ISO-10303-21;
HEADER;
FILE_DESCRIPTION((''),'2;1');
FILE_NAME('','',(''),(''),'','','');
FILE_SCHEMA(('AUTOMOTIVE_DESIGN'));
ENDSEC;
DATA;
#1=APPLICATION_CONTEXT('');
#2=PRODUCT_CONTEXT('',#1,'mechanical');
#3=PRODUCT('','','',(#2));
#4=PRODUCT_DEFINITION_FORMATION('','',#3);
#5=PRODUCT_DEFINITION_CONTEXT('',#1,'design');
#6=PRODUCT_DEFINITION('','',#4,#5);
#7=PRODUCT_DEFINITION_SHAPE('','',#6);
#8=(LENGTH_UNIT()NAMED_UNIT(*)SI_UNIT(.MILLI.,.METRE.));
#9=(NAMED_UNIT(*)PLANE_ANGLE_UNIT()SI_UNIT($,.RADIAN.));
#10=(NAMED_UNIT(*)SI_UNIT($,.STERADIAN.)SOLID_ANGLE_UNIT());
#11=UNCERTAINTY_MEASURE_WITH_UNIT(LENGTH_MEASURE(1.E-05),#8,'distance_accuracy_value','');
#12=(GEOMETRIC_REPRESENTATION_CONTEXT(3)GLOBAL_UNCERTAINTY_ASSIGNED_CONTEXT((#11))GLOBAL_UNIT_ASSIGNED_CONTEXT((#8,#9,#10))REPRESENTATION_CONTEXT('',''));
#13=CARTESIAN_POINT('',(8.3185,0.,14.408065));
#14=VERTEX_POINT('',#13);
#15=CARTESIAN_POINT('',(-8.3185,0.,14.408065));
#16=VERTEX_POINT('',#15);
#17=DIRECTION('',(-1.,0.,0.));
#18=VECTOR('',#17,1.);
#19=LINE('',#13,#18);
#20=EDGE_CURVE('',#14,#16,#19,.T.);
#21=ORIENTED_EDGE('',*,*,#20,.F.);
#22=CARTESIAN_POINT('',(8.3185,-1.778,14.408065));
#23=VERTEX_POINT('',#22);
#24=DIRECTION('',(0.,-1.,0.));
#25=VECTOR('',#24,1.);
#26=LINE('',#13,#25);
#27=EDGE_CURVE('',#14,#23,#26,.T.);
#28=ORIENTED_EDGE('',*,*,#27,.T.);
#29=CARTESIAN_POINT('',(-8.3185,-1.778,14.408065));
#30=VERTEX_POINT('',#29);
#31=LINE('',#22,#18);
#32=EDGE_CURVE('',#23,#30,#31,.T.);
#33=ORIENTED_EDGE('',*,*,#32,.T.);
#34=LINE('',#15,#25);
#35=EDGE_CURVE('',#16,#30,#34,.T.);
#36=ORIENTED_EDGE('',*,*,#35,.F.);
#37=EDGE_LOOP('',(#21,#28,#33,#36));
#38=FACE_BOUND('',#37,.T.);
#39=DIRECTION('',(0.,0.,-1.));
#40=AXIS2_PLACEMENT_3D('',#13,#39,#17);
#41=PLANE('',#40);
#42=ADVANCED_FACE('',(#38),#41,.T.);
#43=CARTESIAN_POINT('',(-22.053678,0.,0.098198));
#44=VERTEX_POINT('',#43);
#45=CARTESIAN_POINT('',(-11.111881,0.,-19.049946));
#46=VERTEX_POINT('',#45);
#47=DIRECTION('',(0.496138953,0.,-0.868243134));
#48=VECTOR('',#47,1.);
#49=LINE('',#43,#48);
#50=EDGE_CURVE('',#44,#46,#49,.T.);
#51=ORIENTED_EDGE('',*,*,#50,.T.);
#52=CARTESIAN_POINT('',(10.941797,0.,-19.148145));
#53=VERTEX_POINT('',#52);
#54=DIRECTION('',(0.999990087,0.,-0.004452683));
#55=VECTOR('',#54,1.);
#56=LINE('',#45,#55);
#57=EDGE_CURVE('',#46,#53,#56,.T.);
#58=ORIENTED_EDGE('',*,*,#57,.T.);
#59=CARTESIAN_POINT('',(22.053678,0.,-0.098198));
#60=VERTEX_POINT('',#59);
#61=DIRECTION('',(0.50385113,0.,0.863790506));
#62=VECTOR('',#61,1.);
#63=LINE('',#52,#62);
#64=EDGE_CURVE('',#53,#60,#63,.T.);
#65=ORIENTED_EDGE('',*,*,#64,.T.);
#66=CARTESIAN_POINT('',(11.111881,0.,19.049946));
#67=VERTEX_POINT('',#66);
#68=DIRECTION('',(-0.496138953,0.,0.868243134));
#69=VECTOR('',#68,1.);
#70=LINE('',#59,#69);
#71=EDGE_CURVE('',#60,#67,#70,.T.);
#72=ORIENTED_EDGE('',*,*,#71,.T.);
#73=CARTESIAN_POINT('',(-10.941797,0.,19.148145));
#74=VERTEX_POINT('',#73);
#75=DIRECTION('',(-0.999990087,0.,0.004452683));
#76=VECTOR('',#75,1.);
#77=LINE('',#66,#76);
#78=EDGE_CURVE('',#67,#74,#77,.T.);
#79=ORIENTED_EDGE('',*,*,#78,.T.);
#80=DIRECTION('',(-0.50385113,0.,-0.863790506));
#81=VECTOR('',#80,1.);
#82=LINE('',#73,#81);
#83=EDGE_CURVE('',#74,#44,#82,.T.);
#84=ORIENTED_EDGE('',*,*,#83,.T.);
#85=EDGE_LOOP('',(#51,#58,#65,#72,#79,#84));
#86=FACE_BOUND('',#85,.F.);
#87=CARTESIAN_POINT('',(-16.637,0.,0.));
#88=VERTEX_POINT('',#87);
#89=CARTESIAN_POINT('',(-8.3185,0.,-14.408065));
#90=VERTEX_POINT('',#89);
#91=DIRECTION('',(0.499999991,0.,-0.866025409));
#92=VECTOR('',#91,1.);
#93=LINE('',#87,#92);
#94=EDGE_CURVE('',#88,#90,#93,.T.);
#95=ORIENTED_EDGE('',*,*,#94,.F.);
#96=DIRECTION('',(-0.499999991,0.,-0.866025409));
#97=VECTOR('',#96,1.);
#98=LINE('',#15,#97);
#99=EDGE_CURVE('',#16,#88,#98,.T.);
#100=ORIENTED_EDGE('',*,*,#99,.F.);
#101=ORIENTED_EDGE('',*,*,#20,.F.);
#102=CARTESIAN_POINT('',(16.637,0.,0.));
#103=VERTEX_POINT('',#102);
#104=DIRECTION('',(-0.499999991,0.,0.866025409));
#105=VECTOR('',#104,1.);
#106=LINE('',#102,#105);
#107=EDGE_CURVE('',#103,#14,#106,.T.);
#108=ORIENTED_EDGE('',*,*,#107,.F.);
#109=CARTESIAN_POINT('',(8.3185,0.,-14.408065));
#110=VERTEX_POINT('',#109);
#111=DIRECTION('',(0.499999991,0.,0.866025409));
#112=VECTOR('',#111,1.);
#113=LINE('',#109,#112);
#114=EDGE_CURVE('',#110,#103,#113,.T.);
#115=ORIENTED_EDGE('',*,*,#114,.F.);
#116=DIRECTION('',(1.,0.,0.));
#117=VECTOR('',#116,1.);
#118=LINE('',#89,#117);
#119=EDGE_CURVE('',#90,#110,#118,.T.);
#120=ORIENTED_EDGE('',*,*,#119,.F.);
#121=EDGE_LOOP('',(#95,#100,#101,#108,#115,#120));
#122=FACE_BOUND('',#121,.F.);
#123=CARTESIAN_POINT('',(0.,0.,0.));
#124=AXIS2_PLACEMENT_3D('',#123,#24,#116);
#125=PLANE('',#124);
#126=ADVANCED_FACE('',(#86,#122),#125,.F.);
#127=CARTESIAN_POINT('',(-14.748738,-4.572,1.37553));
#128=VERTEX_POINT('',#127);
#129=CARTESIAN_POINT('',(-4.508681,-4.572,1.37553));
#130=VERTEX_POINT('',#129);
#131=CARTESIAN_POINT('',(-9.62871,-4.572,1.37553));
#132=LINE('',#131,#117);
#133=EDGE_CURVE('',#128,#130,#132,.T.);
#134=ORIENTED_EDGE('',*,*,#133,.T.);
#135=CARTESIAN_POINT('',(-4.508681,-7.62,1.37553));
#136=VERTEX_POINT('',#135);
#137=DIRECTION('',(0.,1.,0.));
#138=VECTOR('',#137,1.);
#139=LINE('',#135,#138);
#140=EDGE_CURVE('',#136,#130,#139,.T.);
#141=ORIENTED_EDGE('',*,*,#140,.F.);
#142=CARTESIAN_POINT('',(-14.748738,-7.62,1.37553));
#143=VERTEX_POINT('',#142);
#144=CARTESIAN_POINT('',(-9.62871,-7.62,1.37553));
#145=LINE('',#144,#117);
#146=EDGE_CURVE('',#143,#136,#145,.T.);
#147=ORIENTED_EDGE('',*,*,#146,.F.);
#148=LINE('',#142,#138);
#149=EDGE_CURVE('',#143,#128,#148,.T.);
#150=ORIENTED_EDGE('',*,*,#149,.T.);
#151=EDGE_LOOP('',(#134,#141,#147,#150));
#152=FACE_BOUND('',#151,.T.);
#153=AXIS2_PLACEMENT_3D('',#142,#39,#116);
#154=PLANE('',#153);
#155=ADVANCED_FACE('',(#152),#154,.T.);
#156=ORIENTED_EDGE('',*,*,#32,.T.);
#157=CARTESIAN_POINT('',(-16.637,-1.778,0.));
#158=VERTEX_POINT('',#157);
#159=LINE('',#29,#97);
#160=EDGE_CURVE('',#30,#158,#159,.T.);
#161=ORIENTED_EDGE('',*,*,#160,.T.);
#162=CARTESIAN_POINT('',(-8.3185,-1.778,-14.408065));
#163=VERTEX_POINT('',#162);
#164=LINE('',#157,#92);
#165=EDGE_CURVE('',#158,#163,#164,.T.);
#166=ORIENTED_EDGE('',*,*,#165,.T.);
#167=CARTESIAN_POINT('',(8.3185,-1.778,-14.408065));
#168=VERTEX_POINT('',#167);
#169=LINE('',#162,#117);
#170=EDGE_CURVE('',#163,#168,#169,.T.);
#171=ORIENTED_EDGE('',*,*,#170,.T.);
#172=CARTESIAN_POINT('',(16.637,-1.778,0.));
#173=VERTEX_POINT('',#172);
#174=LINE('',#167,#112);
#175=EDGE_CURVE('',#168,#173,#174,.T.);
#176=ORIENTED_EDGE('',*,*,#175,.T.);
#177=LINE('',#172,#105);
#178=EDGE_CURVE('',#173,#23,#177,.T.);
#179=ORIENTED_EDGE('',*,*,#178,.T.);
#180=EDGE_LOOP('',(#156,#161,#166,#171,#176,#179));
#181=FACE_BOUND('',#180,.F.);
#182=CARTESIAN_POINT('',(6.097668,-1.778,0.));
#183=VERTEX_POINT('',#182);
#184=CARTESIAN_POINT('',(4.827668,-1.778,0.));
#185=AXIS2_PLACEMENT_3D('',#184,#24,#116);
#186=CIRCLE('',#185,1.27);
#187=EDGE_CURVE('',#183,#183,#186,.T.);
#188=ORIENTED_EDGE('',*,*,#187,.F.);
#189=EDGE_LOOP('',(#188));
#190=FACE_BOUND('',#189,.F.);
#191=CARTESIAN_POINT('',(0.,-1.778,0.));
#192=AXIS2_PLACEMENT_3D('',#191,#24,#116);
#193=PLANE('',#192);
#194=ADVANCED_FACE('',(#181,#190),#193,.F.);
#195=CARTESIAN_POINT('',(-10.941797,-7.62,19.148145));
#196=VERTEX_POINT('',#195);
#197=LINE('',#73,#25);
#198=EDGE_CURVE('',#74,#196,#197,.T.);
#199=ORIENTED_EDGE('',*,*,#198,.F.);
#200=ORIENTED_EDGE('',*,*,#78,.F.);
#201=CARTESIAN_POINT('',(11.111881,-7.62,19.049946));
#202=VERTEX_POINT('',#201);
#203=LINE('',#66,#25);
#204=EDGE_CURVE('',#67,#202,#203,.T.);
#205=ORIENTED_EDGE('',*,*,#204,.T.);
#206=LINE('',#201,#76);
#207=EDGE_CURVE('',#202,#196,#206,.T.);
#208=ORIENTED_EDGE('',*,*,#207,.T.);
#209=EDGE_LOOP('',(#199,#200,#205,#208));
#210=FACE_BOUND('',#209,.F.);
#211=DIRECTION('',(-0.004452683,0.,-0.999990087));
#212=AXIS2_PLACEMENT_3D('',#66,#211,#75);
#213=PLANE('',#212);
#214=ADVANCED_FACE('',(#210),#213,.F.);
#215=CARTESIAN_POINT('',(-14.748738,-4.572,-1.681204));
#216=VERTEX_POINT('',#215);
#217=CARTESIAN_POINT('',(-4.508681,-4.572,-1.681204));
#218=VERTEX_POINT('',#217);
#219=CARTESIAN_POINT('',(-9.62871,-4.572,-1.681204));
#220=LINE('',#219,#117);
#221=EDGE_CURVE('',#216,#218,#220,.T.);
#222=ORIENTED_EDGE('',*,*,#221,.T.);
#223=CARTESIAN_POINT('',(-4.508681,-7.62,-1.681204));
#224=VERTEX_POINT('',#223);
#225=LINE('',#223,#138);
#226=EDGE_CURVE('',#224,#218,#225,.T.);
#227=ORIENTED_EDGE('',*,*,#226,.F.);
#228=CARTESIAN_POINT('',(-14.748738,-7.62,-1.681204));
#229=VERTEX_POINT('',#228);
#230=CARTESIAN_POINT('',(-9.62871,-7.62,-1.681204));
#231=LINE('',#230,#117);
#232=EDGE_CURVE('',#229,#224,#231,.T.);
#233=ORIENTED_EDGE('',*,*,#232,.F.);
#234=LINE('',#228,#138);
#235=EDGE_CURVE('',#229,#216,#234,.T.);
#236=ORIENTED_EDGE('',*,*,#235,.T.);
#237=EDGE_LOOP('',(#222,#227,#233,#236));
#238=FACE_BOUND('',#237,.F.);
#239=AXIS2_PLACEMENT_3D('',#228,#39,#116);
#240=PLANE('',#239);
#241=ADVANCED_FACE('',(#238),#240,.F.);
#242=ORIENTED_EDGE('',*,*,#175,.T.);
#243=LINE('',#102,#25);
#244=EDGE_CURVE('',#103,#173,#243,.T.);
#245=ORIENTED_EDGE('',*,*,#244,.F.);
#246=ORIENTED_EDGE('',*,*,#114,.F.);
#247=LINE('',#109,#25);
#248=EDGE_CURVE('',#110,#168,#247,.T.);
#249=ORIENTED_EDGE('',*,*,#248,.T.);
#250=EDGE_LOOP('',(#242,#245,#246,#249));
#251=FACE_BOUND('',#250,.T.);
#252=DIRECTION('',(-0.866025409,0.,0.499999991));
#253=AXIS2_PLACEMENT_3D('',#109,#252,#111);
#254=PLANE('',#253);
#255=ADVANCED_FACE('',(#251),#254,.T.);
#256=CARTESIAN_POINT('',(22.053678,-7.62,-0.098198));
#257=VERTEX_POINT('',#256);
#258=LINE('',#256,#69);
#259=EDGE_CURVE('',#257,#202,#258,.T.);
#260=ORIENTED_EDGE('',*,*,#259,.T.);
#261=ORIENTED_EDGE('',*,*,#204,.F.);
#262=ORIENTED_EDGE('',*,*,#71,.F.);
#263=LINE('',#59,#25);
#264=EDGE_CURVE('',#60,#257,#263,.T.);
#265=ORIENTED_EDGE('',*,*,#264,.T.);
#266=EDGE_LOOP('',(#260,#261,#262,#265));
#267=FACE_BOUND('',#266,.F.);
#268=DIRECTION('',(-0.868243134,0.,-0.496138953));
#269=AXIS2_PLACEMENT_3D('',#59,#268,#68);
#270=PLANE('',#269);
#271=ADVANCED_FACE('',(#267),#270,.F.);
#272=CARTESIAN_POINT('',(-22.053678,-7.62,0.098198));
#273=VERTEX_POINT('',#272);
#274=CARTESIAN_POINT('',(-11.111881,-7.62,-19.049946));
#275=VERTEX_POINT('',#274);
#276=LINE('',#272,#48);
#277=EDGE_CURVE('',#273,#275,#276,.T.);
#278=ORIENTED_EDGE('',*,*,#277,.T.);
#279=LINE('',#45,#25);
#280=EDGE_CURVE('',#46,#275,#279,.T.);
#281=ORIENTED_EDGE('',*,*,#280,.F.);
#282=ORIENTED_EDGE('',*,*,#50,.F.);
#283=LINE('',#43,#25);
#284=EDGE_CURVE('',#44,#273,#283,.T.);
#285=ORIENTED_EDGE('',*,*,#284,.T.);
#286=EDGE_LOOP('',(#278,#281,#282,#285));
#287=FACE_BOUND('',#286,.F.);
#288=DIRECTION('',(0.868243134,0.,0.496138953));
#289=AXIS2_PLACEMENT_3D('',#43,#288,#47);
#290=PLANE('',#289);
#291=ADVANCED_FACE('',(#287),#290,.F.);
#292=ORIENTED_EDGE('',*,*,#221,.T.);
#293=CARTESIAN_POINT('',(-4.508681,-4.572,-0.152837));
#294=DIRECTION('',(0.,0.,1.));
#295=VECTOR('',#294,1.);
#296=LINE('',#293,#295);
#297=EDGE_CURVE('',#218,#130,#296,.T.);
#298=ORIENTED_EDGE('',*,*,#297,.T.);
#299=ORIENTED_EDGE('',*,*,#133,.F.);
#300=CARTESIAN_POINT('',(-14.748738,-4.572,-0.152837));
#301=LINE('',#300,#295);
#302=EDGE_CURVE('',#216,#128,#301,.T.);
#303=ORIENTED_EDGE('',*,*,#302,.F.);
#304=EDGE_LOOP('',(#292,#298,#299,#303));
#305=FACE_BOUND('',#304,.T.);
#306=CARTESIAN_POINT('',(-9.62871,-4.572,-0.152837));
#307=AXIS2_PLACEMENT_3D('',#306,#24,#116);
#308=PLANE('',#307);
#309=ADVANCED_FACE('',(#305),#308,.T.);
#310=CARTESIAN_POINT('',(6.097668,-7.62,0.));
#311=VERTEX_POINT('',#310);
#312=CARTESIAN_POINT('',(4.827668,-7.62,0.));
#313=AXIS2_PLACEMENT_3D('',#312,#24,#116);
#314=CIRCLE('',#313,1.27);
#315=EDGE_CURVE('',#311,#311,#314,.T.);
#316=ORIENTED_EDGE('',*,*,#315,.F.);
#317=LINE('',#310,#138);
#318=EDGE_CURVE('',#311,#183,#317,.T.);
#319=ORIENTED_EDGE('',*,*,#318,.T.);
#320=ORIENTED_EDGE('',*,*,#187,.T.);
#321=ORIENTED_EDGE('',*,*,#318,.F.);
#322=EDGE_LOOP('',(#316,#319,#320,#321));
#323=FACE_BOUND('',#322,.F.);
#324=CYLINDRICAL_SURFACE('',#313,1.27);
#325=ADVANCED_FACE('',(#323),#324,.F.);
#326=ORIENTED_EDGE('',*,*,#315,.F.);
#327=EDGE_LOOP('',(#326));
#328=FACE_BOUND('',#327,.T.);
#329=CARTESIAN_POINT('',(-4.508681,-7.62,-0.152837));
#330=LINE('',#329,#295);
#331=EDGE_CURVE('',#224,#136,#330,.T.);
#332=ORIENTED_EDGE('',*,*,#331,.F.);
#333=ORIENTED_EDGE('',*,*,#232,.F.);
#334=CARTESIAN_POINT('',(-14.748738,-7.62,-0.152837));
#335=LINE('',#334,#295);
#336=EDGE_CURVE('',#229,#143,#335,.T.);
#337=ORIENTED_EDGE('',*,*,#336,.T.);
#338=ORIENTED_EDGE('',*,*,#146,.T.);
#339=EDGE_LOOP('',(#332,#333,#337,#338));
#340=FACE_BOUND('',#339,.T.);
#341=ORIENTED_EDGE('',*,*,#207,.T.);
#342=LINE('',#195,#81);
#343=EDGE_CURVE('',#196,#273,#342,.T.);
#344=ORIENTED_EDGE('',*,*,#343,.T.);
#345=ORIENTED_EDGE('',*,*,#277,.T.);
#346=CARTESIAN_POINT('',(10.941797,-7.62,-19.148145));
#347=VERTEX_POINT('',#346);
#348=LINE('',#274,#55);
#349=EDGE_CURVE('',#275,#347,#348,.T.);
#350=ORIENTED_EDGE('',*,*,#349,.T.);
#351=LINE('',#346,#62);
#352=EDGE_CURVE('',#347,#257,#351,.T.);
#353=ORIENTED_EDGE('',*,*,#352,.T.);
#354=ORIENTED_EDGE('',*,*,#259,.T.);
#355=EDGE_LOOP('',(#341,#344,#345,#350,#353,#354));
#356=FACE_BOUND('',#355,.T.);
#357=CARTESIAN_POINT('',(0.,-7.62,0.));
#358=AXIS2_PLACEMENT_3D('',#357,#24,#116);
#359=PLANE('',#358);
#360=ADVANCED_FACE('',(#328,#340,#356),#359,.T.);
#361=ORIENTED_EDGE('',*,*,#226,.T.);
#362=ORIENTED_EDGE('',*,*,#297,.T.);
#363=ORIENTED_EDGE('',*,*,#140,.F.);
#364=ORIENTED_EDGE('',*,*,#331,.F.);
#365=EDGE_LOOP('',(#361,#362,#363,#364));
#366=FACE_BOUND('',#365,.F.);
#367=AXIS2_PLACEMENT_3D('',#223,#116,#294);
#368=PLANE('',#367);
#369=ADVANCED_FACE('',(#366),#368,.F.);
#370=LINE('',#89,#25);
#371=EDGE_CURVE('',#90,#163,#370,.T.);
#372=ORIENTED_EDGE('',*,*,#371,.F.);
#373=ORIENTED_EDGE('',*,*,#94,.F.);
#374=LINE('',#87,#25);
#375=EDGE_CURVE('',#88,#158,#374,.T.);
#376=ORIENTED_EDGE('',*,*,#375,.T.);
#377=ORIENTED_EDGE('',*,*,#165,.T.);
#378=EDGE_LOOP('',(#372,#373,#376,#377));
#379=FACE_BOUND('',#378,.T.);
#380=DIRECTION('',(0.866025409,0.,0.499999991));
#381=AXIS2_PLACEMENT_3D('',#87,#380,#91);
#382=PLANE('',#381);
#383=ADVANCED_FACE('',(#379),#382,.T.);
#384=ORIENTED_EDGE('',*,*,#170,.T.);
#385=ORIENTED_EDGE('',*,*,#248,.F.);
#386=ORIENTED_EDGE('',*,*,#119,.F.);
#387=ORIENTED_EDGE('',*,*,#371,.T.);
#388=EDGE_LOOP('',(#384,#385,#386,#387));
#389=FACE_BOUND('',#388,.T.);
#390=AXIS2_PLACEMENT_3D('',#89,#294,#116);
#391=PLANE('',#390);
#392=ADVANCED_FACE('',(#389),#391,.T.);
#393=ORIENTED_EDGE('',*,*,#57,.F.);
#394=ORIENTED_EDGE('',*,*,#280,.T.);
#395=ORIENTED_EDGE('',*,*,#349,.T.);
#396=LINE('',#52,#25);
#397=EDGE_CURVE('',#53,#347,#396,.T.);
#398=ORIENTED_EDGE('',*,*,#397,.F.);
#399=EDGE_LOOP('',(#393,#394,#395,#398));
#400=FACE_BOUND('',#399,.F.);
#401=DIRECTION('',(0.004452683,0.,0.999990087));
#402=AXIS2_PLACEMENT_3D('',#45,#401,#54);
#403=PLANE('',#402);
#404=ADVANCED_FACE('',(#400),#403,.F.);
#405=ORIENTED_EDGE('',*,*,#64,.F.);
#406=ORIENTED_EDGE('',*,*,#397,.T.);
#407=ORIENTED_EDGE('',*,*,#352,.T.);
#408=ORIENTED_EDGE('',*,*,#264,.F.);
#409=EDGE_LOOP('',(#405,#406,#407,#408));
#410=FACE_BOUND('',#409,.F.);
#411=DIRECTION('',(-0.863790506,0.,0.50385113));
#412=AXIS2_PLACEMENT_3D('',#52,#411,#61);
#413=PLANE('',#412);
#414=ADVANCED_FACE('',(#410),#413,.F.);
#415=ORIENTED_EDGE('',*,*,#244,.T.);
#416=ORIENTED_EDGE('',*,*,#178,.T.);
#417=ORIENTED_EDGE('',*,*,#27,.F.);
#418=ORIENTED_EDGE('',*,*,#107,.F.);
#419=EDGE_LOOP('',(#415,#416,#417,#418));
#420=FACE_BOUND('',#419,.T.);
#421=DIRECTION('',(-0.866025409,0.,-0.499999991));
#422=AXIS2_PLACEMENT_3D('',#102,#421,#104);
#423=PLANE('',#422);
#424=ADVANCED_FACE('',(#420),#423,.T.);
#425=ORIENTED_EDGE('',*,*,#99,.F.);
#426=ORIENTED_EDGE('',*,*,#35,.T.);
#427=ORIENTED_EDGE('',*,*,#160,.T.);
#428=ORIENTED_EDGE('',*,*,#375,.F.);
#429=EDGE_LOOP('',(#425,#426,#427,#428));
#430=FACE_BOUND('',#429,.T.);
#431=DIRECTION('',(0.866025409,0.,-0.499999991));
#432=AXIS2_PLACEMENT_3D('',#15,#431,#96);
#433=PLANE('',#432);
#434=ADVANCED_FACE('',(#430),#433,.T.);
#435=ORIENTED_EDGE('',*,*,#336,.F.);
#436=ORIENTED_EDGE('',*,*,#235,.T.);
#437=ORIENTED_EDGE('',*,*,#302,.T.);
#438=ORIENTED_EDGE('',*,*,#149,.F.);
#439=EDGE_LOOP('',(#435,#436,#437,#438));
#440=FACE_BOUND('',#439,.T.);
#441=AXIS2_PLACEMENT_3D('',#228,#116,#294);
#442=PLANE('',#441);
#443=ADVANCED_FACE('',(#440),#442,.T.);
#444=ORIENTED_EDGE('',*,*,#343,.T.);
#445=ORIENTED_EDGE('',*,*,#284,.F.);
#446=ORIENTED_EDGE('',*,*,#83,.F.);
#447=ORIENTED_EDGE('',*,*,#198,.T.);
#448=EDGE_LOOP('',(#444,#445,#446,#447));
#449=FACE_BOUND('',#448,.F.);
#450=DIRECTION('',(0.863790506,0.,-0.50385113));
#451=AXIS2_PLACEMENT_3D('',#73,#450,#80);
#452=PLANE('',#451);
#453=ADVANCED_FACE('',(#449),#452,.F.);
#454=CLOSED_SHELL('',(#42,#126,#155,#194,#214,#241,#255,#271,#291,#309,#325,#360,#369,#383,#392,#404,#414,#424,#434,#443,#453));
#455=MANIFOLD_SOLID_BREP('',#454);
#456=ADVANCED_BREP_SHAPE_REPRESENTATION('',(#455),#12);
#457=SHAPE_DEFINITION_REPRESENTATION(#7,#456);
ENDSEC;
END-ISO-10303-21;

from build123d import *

# Parameters (mm, degrees)
F1_DEPTH = 7.62
F2_R     = 1.27
F3_DEPTH = 25.4
F4_W     = 10.240057
F4_H     = 3.056733
F5_DEPTH = 3.048
F7_DEPTH = 1.778


with BuildPart() as f1:
    # F0 (on Front) → F1 (new body)
    with BuildSketch(Plane.XZ):
        Polygon((-22.053678, 0.098198), (-11.111881, -19.049946), (10.941797, -19.148145), (22.053678, -0.098198), (11.111881, 19.049946), (-10.941797, 19.148145), align=None)
    extrude(amount=F1_DEPTH)

    # F2 (on face) → F3 (cut)
    with BuildSketch(Plane.XZ.offset(7.62)):
        with Locations((4.827668, 0)):
            Circle(F2_R)
    extrude(amount=-F3_DEPTH, mode=Mode.SUBTRACT)

    # F4 (on face) → F5 (cut)
    with BuildSketch(Plane.XZ.offset(7.62)):
        with Locations((-9.62871, -0.152837)):
            Rectangle(F4_W, F4_H)
    extrude(amount=-F5_DEPTH, mode=Mode.SUBTRACT)

    # F6 (on Front) → F7 (cut)
    with BuildSketch(Plane.XZ):
        Polygon((-8.3185, -14.408065), (8.3185, -14.408065), (16.637, 0), (8.3185, 14.408065), (-8.3185, 14.408065), (-16.637, 0), align=None)
    extrude(amount=F7_DEPTH, mode=Mode.SUBTRACT)


solid = f1.part
